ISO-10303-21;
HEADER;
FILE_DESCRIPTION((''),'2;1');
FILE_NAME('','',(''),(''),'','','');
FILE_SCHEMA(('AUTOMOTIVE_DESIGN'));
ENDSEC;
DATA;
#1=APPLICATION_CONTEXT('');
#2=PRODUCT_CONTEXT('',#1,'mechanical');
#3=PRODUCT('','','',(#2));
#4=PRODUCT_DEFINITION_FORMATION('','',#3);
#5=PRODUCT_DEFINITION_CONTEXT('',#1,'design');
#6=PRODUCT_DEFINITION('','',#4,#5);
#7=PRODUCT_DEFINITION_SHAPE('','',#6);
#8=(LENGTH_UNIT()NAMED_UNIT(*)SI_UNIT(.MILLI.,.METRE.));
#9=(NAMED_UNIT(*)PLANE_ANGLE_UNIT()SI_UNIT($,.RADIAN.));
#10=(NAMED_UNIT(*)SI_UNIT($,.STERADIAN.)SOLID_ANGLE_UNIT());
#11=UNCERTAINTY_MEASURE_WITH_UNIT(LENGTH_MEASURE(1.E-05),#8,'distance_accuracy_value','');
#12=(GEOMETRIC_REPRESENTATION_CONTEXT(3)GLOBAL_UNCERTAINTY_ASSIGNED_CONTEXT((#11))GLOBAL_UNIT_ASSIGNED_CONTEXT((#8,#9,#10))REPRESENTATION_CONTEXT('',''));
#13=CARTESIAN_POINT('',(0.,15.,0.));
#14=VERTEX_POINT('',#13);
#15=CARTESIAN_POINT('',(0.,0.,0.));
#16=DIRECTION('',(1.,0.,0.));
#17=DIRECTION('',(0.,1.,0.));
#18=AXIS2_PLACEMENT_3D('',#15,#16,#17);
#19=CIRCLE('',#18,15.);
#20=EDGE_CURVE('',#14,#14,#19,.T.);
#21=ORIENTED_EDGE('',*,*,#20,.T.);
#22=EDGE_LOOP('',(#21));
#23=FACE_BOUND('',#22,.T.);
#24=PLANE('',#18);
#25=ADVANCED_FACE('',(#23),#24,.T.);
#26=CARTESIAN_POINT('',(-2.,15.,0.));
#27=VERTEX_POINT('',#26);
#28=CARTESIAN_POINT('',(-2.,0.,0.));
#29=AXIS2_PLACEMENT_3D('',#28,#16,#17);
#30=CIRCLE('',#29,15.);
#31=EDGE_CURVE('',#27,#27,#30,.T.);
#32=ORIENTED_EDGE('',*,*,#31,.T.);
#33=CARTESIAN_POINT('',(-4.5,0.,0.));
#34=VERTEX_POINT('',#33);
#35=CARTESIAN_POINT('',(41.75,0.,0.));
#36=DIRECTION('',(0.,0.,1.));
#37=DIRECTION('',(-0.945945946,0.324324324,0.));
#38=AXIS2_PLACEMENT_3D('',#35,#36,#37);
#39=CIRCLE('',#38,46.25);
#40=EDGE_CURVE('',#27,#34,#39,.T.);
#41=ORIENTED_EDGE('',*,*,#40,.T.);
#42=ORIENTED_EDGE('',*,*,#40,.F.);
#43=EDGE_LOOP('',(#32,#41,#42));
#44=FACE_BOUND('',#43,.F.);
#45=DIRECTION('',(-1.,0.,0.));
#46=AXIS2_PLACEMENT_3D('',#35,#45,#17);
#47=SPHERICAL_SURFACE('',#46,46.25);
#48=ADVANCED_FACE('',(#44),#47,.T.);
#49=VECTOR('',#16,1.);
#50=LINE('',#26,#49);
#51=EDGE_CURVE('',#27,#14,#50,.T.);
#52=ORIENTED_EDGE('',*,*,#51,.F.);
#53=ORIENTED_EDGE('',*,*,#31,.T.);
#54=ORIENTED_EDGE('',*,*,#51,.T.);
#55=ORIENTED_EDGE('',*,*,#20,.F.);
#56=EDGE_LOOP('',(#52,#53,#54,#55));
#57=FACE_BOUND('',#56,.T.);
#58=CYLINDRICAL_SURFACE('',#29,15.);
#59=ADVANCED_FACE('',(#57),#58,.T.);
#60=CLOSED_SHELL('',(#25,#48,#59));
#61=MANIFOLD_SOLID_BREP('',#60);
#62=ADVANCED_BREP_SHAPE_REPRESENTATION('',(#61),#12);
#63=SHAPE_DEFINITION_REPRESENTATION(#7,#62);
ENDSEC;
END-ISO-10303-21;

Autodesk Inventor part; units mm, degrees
ref_plane "YZ Plane" through (0, 0, 0) normal (1, 0, 0) x (0, 1, 0)
ref_plane "XZ Plane" through (0, 0, 0) normal (0, 1, 0) x (-1, 0, 0)
ref_plane "XY Plane" through (0, 0, 0) normal (0, 0, 1) x (1, 0, 0)
sketch "Sketch1" plane through (0, 0, 0) normal (0, 0, 1) x (1, 0, 0)
  line L0 (-14.4949, 0) -> (51.1241, 0) construction
  line L1 (0, -3.0207) -> (0, 18.1241) construction
  arc A0 (-2, 15) -> (-4.5, 0) centre (41.75, 0) ccw
  line L2 (-2, 15) -> (0, 15)
  line L3 (0, 15) -> (0, 0)
  line L4 (-4.5, 0) -> (0, 0)
  dimension "d0" = 30
  dimension "d1" = 2
  dimension "d2" = 4.5
revolve "Revolution1" add sketch "Sketch1" angle 360 about axis through (-10, 0, 0) along (1, 0, 0)
properties part number "F117" material "Glass"
